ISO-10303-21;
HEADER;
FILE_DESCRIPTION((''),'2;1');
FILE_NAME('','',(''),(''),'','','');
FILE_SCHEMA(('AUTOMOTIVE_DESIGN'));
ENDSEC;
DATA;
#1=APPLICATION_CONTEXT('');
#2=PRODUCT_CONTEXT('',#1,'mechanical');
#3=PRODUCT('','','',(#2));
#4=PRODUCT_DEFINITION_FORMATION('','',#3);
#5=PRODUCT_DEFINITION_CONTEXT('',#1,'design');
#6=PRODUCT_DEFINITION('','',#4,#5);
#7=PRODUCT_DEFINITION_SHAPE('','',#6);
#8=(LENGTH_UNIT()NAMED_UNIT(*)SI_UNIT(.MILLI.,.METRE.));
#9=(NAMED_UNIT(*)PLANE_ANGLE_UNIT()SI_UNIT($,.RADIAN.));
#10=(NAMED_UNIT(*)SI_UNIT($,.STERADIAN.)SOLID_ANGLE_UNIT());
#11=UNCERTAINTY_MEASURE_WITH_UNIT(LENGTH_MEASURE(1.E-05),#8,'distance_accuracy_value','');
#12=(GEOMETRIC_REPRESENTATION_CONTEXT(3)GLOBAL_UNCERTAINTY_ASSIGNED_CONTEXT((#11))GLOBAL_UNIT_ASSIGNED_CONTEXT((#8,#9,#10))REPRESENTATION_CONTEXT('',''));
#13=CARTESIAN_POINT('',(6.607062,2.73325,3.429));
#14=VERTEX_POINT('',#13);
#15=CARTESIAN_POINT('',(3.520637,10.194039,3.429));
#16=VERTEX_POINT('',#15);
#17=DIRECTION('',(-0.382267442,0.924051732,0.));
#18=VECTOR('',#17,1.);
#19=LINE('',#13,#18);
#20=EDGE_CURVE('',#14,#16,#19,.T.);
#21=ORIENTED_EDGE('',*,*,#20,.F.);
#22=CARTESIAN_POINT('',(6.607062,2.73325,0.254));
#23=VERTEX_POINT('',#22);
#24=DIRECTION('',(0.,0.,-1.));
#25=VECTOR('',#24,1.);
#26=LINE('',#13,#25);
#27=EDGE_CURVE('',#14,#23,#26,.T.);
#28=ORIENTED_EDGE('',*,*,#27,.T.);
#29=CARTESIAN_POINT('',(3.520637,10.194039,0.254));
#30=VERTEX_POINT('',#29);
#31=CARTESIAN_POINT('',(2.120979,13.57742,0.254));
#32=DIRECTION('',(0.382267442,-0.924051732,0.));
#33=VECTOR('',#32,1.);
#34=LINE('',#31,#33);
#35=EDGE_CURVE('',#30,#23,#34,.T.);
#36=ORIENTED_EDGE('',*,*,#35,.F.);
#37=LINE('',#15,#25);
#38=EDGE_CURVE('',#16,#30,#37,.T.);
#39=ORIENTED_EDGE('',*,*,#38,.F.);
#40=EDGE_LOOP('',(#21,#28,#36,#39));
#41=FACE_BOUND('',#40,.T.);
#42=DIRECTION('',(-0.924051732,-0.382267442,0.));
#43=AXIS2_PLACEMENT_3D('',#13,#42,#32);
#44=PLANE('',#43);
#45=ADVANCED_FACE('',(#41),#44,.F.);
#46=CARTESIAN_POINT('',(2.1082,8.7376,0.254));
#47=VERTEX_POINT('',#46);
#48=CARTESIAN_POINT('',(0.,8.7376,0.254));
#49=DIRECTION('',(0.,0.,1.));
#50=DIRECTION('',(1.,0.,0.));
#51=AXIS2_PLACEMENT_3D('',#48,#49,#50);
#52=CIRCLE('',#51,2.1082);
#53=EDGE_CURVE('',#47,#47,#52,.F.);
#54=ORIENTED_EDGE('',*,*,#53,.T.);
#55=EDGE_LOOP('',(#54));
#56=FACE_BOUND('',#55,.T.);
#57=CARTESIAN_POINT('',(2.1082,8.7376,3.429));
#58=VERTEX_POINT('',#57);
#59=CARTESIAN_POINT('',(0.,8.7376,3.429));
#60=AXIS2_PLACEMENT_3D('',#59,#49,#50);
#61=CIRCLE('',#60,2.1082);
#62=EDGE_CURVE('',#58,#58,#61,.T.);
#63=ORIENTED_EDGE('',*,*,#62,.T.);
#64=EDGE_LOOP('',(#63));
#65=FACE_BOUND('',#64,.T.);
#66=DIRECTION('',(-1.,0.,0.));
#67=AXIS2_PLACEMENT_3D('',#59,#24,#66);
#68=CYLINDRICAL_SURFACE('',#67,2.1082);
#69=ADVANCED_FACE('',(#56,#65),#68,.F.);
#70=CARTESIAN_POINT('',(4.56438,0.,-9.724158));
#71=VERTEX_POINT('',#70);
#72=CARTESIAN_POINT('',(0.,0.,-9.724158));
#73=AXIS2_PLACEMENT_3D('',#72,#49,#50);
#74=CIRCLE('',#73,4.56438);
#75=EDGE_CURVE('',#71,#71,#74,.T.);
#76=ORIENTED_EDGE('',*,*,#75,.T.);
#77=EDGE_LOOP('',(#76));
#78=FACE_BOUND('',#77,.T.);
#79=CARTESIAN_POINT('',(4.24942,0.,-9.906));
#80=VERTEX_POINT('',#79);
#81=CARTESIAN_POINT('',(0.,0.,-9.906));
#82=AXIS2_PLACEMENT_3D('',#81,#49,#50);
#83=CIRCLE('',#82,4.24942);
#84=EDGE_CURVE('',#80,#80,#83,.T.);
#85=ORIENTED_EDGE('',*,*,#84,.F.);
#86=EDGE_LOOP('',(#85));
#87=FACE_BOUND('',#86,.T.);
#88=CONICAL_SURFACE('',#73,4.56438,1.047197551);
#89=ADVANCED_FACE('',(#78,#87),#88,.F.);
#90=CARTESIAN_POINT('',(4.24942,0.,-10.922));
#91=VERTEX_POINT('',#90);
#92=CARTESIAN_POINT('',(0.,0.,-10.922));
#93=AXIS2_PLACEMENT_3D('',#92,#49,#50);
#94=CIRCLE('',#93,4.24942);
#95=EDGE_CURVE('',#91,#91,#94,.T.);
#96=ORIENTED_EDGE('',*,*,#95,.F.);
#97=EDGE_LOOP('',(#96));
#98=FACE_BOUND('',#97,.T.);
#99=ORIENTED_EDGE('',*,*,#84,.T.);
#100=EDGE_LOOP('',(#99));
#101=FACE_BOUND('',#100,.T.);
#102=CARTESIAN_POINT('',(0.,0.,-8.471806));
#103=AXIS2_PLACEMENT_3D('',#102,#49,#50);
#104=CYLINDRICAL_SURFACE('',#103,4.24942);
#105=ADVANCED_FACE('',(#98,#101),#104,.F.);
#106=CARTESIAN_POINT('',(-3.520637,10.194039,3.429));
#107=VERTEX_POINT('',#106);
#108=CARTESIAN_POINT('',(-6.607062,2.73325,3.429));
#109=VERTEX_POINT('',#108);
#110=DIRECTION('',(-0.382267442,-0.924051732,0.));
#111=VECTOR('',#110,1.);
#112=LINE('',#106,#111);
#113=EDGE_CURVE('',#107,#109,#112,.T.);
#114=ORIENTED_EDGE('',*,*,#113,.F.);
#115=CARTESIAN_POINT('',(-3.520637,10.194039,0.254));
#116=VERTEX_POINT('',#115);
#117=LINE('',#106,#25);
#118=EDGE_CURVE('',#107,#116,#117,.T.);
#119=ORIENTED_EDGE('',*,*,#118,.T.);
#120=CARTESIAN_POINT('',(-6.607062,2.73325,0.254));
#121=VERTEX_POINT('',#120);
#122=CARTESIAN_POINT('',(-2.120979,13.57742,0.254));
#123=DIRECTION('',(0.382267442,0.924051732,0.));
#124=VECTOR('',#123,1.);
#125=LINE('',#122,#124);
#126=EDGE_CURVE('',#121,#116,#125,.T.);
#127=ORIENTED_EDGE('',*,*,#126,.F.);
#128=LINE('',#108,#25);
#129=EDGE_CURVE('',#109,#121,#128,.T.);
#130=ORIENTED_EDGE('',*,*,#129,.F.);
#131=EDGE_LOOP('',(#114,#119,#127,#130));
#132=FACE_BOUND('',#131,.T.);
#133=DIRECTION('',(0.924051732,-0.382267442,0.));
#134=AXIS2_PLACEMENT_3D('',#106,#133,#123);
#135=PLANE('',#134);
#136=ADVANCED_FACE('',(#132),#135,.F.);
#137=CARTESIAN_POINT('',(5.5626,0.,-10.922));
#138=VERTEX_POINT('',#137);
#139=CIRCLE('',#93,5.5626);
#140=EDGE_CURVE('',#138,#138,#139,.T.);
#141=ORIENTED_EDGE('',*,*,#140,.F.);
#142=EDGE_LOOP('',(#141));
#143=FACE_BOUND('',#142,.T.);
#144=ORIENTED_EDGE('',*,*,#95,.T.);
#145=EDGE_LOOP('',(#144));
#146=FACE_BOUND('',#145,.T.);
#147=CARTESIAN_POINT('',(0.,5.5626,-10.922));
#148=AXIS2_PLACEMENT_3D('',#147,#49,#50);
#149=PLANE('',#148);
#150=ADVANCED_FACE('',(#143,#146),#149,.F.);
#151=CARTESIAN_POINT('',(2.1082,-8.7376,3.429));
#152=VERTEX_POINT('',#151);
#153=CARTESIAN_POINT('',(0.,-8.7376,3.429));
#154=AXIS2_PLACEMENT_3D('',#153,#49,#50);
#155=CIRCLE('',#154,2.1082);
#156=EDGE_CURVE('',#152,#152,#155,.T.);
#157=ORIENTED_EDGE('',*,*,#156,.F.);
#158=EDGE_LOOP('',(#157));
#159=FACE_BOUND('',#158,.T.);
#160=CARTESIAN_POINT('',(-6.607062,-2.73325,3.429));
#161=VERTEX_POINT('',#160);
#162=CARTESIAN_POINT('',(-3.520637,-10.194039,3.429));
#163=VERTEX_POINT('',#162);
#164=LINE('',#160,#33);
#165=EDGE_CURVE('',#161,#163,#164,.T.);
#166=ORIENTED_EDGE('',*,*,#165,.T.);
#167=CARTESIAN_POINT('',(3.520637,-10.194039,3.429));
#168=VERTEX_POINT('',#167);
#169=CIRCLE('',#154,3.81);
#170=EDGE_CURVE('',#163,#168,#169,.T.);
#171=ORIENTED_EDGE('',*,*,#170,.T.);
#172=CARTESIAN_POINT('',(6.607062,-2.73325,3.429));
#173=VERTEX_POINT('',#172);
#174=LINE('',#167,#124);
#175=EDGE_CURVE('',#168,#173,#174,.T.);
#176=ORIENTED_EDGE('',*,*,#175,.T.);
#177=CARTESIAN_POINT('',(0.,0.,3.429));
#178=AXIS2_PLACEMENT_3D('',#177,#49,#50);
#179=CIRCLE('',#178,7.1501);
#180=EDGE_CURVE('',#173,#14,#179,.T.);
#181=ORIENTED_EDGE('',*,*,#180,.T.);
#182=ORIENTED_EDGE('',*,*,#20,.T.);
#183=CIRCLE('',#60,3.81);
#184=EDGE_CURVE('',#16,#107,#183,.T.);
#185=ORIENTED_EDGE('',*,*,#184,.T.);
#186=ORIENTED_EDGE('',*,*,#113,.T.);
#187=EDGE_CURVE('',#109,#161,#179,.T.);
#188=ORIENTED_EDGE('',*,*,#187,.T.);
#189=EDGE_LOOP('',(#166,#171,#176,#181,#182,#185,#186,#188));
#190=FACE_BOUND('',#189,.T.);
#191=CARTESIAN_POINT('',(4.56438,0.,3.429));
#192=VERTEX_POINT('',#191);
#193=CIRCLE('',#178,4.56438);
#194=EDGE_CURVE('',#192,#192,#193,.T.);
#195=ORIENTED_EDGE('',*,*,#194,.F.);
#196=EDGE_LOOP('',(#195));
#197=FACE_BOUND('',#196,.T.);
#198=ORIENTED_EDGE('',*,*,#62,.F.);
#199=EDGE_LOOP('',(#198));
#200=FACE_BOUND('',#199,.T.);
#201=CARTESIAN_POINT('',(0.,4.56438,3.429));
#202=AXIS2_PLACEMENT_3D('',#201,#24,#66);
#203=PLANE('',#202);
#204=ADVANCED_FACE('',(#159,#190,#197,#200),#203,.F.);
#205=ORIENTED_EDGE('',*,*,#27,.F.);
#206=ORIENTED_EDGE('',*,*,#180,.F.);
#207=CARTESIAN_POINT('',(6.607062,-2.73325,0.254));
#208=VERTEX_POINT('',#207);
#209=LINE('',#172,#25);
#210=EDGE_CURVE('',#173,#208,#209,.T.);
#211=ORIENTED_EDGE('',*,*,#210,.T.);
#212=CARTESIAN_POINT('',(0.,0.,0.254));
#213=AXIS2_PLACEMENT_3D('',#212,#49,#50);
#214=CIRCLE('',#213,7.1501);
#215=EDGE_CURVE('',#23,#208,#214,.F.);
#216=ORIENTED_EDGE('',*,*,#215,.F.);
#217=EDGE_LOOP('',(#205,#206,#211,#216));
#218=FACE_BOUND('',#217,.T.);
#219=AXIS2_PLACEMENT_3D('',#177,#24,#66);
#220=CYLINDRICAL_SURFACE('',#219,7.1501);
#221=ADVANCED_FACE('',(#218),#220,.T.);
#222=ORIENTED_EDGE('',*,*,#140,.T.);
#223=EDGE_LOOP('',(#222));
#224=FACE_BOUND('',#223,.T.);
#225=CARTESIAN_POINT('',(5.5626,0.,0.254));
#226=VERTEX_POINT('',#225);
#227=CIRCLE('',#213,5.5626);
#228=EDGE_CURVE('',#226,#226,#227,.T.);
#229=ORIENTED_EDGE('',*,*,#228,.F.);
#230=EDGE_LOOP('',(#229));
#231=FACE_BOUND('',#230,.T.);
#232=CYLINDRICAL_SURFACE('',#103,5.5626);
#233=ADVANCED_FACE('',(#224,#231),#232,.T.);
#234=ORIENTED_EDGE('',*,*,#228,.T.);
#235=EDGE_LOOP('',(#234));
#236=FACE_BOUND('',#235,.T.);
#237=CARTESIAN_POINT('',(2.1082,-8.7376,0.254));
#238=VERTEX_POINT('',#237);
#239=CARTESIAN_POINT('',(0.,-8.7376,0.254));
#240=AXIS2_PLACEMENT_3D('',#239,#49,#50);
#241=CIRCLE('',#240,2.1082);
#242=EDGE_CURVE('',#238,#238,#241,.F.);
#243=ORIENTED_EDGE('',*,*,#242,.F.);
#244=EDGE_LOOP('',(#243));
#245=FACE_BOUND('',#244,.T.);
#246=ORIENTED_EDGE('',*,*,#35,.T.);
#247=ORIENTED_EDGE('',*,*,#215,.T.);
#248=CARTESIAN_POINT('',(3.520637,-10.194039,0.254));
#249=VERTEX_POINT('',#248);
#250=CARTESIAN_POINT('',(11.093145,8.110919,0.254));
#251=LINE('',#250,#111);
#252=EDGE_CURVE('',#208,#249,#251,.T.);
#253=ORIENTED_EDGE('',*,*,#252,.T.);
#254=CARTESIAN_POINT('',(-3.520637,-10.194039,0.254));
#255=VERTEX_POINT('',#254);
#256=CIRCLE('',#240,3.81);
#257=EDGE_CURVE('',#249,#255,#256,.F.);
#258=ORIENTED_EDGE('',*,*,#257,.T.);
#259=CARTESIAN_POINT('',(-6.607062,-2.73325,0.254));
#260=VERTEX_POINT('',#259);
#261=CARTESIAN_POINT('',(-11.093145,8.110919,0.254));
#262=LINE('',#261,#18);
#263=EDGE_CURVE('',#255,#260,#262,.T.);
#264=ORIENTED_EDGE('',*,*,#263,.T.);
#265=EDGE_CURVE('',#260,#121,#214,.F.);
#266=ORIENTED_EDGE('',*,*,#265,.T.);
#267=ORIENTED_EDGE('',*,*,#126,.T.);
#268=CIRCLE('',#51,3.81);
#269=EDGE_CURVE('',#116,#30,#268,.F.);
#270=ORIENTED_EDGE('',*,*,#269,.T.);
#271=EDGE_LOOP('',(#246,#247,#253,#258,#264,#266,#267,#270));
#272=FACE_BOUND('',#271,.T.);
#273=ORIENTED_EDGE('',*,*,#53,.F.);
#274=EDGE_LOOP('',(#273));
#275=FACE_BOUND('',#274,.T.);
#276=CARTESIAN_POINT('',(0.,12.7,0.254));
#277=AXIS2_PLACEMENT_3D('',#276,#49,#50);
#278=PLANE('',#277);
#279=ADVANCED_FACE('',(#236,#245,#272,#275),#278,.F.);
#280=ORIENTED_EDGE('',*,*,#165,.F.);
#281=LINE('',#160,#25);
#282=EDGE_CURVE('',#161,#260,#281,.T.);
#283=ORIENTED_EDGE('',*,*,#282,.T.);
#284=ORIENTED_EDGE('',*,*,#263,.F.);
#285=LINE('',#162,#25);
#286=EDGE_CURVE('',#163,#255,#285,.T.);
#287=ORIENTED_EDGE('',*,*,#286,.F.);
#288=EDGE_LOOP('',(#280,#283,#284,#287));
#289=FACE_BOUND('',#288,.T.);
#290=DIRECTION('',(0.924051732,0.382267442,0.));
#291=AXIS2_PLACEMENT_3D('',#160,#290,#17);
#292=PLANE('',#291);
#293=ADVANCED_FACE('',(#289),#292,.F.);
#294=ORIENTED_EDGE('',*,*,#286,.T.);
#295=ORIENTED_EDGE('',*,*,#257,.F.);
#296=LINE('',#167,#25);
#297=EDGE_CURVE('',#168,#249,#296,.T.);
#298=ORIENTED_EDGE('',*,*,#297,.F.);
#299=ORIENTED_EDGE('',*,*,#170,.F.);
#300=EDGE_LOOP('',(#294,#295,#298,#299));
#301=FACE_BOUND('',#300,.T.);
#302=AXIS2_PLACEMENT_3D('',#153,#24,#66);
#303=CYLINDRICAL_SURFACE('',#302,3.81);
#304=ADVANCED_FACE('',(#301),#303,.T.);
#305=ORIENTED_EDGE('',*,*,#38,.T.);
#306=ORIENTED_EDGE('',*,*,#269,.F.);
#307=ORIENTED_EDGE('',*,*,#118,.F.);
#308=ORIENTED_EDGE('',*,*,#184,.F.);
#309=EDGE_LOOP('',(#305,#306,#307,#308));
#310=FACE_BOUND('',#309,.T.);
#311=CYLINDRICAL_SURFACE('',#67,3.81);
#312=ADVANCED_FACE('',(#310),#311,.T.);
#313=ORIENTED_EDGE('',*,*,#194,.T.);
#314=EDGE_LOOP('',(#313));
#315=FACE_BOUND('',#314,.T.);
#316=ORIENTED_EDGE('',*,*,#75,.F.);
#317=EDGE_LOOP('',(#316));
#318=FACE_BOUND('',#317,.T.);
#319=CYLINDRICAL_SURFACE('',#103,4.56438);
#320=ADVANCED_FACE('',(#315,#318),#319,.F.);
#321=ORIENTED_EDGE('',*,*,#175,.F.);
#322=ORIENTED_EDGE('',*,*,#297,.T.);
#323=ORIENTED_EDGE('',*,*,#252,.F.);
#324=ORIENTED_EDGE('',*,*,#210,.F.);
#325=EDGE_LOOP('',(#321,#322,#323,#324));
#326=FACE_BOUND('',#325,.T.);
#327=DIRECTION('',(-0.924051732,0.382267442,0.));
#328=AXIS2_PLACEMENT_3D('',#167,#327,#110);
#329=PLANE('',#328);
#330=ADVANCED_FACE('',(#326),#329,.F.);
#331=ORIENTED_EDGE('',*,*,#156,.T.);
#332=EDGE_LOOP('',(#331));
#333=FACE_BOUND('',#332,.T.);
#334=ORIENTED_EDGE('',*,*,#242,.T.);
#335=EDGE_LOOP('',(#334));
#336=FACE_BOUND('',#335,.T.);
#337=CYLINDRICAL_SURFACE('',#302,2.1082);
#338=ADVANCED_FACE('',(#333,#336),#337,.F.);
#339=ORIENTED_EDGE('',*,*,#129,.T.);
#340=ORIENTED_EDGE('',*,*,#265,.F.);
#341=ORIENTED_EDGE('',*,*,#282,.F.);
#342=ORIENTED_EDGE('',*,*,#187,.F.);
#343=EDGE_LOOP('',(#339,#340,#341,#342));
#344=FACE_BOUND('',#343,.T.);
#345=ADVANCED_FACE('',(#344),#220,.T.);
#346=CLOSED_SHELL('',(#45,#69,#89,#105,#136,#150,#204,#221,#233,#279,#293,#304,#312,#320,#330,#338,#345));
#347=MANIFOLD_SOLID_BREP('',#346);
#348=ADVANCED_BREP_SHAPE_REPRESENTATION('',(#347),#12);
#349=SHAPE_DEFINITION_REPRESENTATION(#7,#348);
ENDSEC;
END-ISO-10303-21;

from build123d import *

# Parameters (mm, degrees)
SKETCH2_OUTSIDE_W  = 35.136
SKETCH2_OUTSIDE_H  = 35.136
SKETCH2_OUTSIDE_R  = 2.1082
CUT_EXTRUDE1_DEPTH = 22.020706078


with BuildPart() as part:
    # Sketch1 → Revolve1 (revolve)
    with BuildSketch(Plane(origin=(0, 0, 0), x_dir=(0, 0, -1), z_dir=(1, 0, 0)), mode=Mode.PRIVATE) as revolve1_sk:
        Polygon((-0.254, 5.5626), (10.922, 5.5626), (10.922, 4.24942), (9.906, 4.24942), (9.724157759, 4.56438), (-3.429, 4.56438), (-3.429, 12.7), (-0.254, 12.7), align=None)
    revolve(revolve1_sk.sketch.rotate(Axis((0, 0, -8.471806123), (0, 0, -1)), 90), axis=Axis((0, 0, -8.471806123), (0, 0, -1)))

    # Sketch2 outside → Cut-Extrude1 (cut, through all)
    # profile 1 of 3: a face of its own
    with BuildSketch(Plane.XY):
        Rectangle(SKETCH2_OUTSIDE_W, SKETCH2_OUTSIDE_H)
        with BuildLine():
            Line((6.607062287, 2.733250436), (3.520637098, 10.194038953))
            ThreePointArc((3.520637098, 10.194038953), (0, 12.5476), (-3.520637098, 10.194038953))
            Line((-3.520637098, 10.194038953), (-6.607062287, 2.733250436))
            ThreePointArc((-6.607062287, 2.733250436), (-7.1501, 0), (-6.607062287, -2.733250436))
            Line((-6.607062287, -2.733250436), (-3.520637098, -10.194038953))
            ThreePointArc((-3.520637098, -10.194038953), (0, -12.5476), (3.520637098, -10.194038953))
            Line((3.520637098, -10.194038953), (6.607062287, -2.733250436))
            ThreePointArc((6.607062287, -2.733250436), (7.1501, 0), (6.607062287, 2.733250436))
        make_face(mode=Mode.SUBTRACT)
    # profile 2 of 3: a face of its own
    with BuildSketch(Plane.XY):
        with Locations((0, 8.7376)):
            Circle(SKETCH2_OUTSIDE_R)
    # profile 3 of 3: a face of its own
    with BuildSketch(Plane.XY):
        with Locations((0, -8.7376)):
            Circle(SKETCH2_OUTSIDE_R)
    extrude(amount=CUT_EXTRUDE1_DEPTH, mode=Mode.SUBTRACT)


solid = part.part
